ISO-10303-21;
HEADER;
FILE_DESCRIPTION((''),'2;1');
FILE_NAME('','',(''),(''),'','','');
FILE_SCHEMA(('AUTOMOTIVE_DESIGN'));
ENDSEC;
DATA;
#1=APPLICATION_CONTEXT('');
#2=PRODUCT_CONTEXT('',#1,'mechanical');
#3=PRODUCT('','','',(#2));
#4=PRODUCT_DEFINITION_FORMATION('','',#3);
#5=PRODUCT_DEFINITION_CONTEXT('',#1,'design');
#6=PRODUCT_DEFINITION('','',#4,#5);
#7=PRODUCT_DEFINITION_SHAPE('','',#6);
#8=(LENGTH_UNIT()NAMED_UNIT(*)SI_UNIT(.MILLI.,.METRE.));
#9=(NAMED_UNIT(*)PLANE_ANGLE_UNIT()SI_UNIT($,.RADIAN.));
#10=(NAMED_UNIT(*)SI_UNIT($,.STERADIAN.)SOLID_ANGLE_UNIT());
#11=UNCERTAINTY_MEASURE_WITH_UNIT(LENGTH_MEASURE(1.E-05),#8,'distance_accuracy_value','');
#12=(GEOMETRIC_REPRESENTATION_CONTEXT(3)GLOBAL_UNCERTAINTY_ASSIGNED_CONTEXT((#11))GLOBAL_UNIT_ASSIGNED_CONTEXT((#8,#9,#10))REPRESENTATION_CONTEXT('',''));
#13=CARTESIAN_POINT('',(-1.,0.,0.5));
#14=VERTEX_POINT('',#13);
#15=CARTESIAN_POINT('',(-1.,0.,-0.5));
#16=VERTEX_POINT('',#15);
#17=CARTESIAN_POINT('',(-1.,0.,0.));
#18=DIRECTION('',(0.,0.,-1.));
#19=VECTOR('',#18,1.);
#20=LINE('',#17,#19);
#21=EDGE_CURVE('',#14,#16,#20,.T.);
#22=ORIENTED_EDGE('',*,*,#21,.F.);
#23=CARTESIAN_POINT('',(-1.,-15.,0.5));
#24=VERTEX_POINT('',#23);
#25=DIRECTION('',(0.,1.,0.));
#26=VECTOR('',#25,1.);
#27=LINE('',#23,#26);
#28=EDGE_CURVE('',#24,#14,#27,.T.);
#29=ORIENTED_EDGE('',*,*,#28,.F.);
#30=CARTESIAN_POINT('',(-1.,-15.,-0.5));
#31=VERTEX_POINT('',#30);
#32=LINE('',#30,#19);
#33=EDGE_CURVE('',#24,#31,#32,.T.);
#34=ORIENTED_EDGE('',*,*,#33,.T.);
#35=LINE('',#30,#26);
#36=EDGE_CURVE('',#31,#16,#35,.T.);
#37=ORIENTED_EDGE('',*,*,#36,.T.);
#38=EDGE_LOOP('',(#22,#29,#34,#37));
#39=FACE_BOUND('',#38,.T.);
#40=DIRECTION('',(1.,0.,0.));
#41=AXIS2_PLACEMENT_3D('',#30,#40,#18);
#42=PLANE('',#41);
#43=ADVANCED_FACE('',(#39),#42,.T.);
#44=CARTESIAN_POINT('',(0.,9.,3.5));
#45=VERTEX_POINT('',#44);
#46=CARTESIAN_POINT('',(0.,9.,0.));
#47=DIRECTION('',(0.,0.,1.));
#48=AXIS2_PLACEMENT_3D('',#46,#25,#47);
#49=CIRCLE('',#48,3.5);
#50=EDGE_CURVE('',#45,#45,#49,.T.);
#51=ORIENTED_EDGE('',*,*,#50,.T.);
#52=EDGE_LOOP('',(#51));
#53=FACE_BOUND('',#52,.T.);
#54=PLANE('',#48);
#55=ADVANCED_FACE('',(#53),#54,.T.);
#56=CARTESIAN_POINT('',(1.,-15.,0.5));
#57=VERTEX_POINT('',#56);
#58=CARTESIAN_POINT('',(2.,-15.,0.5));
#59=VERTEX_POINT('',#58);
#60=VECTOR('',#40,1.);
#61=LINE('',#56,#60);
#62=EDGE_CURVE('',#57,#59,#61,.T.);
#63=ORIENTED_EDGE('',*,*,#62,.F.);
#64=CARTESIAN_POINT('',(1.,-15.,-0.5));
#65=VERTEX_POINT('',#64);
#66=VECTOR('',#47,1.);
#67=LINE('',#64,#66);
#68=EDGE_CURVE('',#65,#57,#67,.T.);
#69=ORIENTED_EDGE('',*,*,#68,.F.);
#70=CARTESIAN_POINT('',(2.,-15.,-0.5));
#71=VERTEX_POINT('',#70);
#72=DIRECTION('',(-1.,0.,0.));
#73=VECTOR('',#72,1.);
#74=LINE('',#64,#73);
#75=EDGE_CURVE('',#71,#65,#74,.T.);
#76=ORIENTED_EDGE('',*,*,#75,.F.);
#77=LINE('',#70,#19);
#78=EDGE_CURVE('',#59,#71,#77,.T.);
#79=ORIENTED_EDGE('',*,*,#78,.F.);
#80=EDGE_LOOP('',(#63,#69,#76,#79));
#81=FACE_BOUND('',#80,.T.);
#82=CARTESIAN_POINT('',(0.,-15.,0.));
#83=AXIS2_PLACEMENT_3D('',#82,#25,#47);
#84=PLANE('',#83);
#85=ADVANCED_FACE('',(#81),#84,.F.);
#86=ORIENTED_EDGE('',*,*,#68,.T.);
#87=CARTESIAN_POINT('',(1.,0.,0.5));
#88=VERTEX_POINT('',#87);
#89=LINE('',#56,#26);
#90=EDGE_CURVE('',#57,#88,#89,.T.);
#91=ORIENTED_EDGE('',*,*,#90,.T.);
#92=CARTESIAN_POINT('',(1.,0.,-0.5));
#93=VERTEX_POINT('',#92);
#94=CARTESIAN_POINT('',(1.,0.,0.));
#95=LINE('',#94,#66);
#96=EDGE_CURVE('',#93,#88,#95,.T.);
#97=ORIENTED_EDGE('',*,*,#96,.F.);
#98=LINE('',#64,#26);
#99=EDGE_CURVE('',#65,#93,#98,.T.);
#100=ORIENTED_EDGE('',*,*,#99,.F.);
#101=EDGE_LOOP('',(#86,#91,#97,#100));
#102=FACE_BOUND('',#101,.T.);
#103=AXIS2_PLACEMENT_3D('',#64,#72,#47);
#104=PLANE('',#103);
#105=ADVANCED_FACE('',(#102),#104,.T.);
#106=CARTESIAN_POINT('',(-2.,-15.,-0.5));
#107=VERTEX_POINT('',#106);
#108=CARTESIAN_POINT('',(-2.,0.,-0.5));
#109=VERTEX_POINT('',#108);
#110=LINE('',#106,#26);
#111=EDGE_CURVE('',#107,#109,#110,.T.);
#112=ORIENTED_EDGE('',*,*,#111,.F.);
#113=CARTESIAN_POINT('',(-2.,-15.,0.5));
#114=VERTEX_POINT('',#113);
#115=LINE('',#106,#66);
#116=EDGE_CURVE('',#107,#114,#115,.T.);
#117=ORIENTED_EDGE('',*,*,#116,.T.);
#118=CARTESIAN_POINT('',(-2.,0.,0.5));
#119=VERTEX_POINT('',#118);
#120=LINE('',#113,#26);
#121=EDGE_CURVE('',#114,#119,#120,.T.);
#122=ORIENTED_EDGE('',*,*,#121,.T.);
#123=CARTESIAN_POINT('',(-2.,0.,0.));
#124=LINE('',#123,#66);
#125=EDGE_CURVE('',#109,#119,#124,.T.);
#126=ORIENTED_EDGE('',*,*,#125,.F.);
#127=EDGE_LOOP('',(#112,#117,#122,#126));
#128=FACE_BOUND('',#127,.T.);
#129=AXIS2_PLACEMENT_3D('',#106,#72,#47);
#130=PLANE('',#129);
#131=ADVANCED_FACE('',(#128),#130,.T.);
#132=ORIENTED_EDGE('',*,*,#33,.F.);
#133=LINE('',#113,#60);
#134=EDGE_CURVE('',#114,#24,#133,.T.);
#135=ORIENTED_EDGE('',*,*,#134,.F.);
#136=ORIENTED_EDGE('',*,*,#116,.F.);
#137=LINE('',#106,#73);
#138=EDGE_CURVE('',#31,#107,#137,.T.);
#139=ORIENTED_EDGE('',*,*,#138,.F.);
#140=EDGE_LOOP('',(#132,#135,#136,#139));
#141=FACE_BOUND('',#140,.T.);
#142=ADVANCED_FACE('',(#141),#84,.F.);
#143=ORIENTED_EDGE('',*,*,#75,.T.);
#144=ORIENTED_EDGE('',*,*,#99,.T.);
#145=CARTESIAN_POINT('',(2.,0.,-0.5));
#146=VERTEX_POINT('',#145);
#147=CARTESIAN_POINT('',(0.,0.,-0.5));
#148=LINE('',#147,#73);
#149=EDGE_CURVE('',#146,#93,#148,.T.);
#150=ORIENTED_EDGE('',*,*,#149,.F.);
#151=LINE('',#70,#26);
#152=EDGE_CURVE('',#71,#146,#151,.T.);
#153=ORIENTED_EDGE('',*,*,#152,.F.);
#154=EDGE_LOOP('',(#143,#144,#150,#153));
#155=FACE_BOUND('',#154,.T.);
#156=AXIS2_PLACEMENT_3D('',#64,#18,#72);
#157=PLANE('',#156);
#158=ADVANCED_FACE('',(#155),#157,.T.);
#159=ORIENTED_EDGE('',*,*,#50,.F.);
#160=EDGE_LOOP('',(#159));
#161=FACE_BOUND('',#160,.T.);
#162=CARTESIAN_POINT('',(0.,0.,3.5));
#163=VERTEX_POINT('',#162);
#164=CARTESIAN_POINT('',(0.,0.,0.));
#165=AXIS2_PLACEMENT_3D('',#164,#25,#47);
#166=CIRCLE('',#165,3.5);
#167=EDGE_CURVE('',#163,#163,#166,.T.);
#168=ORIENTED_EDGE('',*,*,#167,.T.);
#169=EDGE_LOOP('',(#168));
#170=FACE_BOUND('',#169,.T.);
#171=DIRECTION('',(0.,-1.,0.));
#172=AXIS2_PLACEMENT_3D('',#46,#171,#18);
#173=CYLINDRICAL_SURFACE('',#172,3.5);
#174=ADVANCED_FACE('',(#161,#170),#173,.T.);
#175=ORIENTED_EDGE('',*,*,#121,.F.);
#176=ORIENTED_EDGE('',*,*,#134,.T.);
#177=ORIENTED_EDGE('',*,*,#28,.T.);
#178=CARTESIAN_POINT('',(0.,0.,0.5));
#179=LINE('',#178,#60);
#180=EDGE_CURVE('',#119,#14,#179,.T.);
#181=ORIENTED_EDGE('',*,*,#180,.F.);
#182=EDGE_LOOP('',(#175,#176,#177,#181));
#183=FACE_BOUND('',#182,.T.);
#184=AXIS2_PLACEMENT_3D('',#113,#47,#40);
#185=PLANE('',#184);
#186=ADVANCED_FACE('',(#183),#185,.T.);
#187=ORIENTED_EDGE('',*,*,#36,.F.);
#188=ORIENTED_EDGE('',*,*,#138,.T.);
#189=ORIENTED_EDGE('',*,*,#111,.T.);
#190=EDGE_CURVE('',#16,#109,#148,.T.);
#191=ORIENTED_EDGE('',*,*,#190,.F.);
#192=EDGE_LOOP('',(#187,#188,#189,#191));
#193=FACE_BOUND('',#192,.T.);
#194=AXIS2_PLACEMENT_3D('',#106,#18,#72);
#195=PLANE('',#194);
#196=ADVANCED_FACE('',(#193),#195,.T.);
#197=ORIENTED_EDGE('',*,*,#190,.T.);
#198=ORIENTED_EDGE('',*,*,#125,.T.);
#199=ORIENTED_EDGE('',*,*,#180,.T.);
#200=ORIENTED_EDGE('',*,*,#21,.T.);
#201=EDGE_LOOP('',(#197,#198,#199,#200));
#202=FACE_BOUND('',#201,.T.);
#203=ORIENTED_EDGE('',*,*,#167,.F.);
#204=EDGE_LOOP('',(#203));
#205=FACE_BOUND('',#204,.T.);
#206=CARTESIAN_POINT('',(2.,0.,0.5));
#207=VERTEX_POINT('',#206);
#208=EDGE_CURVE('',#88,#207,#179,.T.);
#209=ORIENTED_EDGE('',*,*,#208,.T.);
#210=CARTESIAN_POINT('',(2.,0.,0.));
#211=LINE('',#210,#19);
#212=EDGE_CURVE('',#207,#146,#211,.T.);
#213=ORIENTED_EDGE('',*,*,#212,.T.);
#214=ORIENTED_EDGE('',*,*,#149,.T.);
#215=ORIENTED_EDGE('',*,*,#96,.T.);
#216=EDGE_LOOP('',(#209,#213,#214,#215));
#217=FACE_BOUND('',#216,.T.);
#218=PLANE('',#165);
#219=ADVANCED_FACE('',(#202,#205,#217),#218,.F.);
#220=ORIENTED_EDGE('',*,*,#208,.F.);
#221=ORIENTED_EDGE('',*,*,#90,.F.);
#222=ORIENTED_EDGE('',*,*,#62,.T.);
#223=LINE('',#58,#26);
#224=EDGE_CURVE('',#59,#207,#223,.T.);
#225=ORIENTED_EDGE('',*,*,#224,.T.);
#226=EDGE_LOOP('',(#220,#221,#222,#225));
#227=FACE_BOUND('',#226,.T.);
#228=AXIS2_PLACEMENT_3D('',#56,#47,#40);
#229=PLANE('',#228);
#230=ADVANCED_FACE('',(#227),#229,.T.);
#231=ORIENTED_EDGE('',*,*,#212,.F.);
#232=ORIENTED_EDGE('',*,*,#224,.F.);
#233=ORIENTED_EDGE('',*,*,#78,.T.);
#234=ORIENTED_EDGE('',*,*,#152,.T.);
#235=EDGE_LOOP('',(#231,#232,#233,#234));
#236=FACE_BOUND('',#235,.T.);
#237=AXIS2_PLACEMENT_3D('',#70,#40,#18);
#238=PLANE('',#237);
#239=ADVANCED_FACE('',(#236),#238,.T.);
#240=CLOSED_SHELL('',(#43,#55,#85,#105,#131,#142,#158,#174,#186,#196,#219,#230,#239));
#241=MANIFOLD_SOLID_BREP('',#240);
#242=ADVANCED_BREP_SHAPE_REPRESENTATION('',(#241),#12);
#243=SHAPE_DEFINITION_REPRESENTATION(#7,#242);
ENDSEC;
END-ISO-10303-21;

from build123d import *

# Parameters (mm, degrees)
SKETCH1_R           = 3.5
BOSS_EXTRUDE1_DEPTH = 9
SKETCH2_W           = 1
SKETCH2_H           = 1
BOSS_EXTRUDE2_DEPTH = 24


with BuildPart() as part:
    # Sketch1 → Boss-Extrude1 (new body)
    with BuildSketch(Plane(origin=(0, 0, 0), x_dir=(1, 0, 0), z_dir=(0, 1, 0))):
        Circle(SKETCH1_R)
    extrude(amount=BOSS_EXTRUDE1_DEPTH)

    # Sketch2 → Boss-Extrude2 (add)
    with BuildSketch(Plane(origin=(0, 9, 0), x_dir=(1, 0, 0), z_dir=(0, 1, 0))):
        with Locations((-1.5, 0)):
            Rectangle(SKETCH2_W, SKETCH2_H)
        with Locations((1.5, 0)):
            Rectangle(SKETCH2_W, SKETCH2_H)
    extrude(amount=-BOSS_EXTRUDE2_DEPTH)


solid = part.part
